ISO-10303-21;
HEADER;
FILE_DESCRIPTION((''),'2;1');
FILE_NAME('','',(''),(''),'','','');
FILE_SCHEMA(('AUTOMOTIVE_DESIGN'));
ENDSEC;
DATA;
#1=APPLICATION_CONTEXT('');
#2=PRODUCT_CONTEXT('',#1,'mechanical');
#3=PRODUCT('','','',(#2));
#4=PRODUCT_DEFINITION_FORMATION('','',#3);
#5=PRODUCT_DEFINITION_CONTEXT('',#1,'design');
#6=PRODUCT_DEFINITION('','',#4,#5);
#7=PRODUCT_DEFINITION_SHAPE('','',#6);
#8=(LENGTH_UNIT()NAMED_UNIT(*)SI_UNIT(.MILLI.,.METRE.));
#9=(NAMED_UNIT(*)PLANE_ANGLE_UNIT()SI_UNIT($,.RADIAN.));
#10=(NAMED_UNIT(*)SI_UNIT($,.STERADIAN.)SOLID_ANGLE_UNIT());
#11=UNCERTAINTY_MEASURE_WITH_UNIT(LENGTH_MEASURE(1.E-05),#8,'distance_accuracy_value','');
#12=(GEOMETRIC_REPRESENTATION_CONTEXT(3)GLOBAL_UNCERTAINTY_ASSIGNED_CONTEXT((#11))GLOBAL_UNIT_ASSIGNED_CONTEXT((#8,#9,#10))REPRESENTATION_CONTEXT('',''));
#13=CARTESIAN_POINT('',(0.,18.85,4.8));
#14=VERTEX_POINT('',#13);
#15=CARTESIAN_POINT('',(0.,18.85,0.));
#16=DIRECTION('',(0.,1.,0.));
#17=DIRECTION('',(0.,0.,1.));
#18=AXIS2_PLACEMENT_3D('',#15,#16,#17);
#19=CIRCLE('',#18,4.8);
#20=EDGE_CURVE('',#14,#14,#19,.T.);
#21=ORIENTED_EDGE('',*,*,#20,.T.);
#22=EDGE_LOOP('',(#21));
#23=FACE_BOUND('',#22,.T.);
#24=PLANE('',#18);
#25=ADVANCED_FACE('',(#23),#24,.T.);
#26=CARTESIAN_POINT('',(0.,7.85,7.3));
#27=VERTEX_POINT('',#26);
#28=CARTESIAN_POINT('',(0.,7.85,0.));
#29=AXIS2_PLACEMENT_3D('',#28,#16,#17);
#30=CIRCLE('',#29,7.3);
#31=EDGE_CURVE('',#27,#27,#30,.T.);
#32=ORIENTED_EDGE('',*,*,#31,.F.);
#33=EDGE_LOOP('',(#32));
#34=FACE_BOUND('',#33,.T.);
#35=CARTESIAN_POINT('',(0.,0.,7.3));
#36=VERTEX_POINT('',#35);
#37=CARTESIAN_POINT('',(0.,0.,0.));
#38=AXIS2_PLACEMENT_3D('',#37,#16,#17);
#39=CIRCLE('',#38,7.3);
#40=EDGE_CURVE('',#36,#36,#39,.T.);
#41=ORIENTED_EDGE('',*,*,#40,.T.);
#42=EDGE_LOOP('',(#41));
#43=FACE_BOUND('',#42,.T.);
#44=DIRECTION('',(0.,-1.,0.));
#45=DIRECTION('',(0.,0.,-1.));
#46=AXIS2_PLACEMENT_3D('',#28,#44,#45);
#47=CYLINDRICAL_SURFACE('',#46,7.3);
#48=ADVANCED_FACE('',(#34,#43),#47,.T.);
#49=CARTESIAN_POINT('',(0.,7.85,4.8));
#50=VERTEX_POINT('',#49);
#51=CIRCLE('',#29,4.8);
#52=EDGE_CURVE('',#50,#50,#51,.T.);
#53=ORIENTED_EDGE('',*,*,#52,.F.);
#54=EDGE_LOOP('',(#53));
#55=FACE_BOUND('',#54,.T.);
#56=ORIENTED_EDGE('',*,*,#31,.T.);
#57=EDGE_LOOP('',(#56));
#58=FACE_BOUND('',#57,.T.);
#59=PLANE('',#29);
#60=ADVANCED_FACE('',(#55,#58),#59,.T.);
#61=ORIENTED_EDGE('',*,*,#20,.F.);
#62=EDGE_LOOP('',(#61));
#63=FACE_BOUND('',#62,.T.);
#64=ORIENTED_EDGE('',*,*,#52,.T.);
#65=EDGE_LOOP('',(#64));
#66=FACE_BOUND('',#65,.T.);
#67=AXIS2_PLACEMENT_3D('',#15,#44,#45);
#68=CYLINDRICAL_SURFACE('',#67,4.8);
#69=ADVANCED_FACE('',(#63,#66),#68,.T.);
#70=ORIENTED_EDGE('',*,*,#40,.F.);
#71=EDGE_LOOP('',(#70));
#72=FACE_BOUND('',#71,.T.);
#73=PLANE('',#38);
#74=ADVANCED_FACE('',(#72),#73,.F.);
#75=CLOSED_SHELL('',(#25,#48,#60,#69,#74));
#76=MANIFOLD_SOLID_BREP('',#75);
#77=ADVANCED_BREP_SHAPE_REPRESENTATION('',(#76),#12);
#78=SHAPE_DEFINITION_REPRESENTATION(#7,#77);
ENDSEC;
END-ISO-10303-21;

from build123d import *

# Parameters (mm, degrees)
SKETCH1_R           = 7.3
BOSS_EXTRUDE1_DEPTH = 7.85
SKETCH2_R           = 4.8
BOSS_EXTRUDE2_DEPTH = 11


with BuildPart() as part:
    # Sketch1 → Boss-Extrude1 (new body)
    with BuildSketch(Plane(origin=(0, 0, 0), x_dir=(1, 0, 0), z_dir=(0, 1, 0))):
        with Locations(Location((0, 0, 0), (0, 0, 270))):  # turned: the seam where the file's is
            Circle(SKETCH1_R)
    extrude(amount=BOSS_EXTRUDE1_DEPTH)

    # Sketch2 → Boss-Extrude2 (add)
    with BuildSketch(Plane(origin=(0, 7.85, 0), x_dir=(1, 0, 0), z_dir=(0, 1, 0))):
        with Locations(Location((0, 0, 0), (0, 0, 270))):  # turned: the seam where the file's is
            Circle(SKETCH2_R)
    extrude(amount=BOSS_EXTRUDE2_DEPTH)


solid = part.part
